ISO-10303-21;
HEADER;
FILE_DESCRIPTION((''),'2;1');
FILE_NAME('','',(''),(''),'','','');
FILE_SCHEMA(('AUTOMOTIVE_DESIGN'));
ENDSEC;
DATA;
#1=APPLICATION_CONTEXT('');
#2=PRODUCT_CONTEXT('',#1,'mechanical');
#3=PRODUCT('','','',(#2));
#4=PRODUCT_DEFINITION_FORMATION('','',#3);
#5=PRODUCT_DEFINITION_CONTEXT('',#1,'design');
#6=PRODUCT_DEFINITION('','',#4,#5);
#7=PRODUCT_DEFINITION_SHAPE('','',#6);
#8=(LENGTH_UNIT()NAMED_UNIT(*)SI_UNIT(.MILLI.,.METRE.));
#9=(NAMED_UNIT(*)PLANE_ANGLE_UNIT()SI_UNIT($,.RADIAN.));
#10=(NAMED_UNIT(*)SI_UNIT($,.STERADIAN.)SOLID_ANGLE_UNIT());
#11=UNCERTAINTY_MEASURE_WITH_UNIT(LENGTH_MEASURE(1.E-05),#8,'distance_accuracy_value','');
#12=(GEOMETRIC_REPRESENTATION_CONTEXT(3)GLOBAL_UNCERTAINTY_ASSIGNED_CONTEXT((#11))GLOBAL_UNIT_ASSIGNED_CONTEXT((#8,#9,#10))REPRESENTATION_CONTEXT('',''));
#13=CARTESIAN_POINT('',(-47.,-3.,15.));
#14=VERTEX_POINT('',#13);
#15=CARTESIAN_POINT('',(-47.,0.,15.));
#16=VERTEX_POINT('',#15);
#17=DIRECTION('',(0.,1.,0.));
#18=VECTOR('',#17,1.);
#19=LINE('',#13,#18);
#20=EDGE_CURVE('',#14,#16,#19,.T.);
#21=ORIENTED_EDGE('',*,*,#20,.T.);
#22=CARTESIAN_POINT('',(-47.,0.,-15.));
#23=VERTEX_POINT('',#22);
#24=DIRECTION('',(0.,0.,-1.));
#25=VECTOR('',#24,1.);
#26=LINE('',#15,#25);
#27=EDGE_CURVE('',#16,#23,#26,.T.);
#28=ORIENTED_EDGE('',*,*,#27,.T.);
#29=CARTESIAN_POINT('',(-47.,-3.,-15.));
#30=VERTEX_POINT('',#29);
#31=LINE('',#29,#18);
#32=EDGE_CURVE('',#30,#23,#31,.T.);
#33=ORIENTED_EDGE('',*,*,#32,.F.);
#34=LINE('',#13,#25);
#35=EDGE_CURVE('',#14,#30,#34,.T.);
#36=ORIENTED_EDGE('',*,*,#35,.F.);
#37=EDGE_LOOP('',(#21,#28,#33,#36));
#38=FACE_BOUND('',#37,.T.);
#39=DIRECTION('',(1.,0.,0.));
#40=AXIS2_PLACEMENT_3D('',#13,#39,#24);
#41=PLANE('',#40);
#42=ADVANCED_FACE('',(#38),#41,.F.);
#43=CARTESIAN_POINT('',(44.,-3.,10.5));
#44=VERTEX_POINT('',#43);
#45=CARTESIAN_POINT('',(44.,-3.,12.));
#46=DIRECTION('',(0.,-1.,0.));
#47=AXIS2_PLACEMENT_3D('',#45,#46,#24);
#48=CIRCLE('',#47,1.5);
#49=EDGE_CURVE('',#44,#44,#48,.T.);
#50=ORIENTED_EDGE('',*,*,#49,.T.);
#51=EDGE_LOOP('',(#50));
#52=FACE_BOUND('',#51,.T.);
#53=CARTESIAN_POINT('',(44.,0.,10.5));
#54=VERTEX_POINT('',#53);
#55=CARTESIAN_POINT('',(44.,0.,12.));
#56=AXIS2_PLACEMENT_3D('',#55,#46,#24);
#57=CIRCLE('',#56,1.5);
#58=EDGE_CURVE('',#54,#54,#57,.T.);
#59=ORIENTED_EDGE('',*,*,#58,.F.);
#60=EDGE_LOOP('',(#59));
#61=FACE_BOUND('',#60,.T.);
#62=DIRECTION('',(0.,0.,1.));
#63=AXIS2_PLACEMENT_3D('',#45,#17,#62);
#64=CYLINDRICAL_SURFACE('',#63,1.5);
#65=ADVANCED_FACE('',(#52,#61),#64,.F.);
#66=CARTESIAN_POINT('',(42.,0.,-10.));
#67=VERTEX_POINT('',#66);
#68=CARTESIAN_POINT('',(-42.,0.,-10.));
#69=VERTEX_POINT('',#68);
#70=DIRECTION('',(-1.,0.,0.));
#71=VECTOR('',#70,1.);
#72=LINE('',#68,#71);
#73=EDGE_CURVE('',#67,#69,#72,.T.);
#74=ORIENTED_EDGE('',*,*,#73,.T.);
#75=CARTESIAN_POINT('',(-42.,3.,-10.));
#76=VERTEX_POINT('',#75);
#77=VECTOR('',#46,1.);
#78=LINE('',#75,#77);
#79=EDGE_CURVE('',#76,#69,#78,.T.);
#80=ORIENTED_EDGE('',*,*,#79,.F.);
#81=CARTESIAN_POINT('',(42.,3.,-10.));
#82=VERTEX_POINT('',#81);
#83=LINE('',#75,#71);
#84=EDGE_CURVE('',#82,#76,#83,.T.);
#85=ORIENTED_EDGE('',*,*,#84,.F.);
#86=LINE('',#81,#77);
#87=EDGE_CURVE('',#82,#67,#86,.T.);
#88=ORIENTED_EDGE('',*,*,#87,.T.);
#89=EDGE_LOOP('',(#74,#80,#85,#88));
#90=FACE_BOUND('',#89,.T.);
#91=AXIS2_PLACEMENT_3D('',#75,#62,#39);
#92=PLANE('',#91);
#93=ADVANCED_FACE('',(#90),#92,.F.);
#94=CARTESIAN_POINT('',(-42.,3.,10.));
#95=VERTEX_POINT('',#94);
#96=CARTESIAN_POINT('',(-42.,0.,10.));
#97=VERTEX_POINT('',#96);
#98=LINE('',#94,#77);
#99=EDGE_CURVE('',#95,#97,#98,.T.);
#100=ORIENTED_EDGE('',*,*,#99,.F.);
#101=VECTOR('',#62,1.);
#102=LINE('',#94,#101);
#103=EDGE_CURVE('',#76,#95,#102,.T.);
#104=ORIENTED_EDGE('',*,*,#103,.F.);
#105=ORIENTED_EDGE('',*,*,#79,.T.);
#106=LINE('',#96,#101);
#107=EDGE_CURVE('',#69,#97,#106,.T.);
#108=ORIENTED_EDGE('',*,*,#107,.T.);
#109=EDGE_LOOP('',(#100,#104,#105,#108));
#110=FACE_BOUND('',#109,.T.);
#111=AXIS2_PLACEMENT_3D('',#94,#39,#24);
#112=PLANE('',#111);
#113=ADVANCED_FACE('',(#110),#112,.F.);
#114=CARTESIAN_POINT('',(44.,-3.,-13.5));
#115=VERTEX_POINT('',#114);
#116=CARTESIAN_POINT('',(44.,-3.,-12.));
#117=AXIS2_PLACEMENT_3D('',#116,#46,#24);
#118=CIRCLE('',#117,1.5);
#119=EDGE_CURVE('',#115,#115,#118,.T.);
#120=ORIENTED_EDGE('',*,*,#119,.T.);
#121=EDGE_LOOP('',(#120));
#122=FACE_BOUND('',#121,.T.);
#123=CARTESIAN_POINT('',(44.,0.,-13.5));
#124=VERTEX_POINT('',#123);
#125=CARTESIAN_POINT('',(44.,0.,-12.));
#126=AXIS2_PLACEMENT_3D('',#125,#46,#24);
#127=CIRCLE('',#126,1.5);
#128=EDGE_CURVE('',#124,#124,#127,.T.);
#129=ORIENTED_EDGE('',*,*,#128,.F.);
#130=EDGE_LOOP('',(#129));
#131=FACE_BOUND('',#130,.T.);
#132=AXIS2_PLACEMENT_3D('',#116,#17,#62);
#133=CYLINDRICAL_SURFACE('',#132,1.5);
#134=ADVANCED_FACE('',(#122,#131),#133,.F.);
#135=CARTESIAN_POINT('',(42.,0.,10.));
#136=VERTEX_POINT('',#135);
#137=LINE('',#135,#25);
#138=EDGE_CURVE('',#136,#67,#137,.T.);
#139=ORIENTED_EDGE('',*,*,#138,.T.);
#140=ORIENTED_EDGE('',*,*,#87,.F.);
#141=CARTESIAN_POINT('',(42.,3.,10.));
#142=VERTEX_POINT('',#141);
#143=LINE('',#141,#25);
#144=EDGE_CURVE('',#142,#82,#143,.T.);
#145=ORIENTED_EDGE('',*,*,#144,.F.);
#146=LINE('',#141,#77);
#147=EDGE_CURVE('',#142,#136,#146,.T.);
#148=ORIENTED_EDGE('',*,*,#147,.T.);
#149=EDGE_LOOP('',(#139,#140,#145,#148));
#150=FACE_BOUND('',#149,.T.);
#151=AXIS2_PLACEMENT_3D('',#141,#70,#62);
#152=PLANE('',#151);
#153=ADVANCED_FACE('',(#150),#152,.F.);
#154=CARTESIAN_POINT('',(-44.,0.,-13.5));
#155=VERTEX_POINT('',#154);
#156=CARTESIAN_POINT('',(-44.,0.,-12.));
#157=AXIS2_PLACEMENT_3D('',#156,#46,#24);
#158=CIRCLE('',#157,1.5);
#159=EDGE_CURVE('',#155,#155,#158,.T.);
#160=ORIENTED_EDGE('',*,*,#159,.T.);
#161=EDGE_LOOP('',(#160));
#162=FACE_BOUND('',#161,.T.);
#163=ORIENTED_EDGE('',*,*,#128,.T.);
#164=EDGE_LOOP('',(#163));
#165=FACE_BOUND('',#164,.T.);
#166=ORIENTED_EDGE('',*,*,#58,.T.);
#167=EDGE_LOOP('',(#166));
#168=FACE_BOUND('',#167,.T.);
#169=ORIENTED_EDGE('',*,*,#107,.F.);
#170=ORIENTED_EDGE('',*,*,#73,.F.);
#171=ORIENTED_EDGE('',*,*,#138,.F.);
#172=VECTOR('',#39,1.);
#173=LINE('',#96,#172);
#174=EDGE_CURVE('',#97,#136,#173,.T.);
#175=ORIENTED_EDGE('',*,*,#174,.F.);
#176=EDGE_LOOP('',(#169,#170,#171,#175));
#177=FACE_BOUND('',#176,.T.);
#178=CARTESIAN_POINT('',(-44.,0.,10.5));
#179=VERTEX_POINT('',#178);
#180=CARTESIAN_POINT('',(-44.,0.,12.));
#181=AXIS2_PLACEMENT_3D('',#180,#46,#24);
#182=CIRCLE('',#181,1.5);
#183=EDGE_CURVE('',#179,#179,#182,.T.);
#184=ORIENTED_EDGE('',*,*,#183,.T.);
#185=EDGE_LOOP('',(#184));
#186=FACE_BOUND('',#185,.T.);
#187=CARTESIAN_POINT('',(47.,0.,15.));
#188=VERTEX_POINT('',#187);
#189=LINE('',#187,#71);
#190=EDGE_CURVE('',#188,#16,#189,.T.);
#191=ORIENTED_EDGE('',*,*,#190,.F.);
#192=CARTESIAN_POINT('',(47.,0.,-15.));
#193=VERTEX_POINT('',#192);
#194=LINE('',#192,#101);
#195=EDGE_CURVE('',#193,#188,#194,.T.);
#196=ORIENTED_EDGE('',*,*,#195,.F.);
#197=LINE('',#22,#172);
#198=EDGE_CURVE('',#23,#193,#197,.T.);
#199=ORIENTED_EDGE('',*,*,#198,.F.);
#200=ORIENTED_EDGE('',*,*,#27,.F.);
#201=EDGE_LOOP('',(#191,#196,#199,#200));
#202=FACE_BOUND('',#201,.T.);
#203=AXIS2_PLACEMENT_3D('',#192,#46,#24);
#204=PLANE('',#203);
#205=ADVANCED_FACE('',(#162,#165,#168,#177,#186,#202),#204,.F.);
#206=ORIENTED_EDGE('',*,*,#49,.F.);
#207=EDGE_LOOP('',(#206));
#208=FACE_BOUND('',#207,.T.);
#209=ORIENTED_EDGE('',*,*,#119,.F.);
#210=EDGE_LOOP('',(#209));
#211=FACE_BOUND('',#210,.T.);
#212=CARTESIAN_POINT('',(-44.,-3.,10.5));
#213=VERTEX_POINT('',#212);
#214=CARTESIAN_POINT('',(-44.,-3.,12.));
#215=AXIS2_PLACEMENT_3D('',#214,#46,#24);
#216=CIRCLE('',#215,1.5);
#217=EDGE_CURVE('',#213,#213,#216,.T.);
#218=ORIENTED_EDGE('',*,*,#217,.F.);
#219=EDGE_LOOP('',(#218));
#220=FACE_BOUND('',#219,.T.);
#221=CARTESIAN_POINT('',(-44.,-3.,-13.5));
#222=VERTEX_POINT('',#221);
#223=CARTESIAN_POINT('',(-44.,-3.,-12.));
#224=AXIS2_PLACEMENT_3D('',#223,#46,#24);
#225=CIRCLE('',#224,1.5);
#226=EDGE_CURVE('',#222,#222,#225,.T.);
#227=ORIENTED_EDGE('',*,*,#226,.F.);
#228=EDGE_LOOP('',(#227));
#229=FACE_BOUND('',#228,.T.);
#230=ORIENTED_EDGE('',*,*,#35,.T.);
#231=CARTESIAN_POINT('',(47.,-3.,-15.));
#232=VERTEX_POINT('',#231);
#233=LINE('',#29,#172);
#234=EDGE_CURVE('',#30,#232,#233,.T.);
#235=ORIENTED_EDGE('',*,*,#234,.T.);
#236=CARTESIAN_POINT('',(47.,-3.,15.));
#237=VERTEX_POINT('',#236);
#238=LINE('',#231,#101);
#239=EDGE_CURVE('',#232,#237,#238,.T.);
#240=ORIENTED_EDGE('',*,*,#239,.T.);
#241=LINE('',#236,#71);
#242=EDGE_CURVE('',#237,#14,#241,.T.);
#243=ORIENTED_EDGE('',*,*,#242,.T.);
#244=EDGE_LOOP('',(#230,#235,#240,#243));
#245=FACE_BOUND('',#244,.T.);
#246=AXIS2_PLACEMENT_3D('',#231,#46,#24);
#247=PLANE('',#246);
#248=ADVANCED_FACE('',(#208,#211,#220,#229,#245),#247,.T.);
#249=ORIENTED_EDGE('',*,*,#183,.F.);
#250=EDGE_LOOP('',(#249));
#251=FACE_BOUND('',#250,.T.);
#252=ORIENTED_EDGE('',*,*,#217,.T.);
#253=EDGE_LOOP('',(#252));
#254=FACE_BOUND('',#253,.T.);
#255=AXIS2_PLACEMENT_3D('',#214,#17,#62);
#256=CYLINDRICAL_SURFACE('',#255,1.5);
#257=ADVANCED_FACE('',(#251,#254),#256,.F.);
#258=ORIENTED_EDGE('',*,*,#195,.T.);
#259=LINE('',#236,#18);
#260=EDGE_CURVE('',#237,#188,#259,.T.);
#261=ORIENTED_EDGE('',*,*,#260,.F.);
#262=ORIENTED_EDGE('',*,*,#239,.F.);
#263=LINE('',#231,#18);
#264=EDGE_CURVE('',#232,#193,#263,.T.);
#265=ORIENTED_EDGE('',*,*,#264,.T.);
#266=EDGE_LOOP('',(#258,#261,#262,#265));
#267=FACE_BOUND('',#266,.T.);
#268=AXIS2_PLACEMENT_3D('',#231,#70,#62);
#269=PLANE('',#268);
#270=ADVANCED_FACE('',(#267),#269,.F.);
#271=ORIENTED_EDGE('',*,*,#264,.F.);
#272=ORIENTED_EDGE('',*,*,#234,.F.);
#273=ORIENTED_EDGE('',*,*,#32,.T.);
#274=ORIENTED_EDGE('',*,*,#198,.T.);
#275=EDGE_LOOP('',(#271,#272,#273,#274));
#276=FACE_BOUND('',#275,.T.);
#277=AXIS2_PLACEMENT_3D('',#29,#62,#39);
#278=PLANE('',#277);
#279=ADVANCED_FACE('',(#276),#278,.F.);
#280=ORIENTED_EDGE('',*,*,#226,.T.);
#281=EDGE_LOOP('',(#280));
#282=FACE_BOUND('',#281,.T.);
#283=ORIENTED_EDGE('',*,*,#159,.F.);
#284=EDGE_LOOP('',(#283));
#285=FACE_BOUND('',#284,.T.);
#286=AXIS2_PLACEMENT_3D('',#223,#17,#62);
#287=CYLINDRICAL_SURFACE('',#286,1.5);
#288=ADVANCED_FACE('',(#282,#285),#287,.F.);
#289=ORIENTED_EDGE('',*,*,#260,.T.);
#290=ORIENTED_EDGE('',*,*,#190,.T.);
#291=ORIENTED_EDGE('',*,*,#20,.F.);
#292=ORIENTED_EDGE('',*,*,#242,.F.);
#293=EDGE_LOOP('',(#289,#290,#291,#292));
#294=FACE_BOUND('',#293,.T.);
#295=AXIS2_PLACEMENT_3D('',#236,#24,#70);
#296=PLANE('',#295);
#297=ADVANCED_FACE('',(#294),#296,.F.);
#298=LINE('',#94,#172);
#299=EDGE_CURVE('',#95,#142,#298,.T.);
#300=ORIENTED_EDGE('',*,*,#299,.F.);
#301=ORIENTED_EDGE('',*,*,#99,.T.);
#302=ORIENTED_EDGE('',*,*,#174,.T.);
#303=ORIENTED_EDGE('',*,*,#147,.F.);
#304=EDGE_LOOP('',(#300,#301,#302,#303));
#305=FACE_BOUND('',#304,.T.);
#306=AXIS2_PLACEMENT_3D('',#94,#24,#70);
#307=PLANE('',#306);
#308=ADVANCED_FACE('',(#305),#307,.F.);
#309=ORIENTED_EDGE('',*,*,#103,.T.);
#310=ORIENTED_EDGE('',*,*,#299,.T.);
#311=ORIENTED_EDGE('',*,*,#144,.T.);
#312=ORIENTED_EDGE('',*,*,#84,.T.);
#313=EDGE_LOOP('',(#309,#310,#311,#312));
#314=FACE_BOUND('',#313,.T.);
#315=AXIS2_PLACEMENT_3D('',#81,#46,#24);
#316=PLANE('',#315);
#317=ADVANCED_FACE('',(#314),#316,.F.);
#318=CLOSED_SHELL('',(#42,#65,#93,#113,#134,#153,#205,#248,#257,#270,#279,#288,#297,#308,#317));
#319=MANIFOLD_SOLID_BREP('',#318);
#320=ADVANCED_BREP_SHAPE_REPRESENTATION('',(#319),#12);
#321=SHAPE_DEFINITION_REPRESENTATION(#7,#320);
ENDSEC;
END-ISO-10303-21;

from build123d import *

# Parameters (mm, degrees)
SKETCH1_W           = 84
SKETCH1_H           = 20
BOSS_EXTRUDE1_DEPTH = 3
SKETCH2_W           = 94
SKETCH2_H           = 30
SKETCH2_R           = 1.5
BOSS_EXTRUDE2_DEPTH = 3


with BuildPart() as part:
    # Sketch1 → Boss-Extrude1 (new body)
    with BuildSketch(Plane(origin=(0, 0, 0), x_dir=(1, 0, 0), z_dir=(0, 1, 0))):
        Rectangle(SKETCH1_W, SKETCH1_H)
    extrude(amount=BOSS_EXTRUDE1_DEPTH)

    # Sketch2 → Boss-Extrude2 (add)
    with BuildSketch(Plane.XZ):
        Rectangle(SKETCH2_W, SKETCH2_H)
        with Locations(Location((-44, 12, 0), (0, 0, 270))):
            Circle(SKETCH2_R, mode=Mode.SUBTRACT)
        with Locations(Location((-44, -12, 0), (0, 0, 270))):
            Circle(SKETCH2_R, mode=Mode.SUBTRACT)
        with Locations(Location((44, 12, 0), (0, 0, 270))):
            Circle(SKETCH2_R, mode=Mode.SUBTRACT)
        with Locations(Location((44, -12, 0), (0, 0, 270))):
            Circle(SKETCH2_R, mode=Mode.SUBTRACT)
    extrude(amount=BOSS_EXTRUDE2_DEPTH)


solid = part.part
